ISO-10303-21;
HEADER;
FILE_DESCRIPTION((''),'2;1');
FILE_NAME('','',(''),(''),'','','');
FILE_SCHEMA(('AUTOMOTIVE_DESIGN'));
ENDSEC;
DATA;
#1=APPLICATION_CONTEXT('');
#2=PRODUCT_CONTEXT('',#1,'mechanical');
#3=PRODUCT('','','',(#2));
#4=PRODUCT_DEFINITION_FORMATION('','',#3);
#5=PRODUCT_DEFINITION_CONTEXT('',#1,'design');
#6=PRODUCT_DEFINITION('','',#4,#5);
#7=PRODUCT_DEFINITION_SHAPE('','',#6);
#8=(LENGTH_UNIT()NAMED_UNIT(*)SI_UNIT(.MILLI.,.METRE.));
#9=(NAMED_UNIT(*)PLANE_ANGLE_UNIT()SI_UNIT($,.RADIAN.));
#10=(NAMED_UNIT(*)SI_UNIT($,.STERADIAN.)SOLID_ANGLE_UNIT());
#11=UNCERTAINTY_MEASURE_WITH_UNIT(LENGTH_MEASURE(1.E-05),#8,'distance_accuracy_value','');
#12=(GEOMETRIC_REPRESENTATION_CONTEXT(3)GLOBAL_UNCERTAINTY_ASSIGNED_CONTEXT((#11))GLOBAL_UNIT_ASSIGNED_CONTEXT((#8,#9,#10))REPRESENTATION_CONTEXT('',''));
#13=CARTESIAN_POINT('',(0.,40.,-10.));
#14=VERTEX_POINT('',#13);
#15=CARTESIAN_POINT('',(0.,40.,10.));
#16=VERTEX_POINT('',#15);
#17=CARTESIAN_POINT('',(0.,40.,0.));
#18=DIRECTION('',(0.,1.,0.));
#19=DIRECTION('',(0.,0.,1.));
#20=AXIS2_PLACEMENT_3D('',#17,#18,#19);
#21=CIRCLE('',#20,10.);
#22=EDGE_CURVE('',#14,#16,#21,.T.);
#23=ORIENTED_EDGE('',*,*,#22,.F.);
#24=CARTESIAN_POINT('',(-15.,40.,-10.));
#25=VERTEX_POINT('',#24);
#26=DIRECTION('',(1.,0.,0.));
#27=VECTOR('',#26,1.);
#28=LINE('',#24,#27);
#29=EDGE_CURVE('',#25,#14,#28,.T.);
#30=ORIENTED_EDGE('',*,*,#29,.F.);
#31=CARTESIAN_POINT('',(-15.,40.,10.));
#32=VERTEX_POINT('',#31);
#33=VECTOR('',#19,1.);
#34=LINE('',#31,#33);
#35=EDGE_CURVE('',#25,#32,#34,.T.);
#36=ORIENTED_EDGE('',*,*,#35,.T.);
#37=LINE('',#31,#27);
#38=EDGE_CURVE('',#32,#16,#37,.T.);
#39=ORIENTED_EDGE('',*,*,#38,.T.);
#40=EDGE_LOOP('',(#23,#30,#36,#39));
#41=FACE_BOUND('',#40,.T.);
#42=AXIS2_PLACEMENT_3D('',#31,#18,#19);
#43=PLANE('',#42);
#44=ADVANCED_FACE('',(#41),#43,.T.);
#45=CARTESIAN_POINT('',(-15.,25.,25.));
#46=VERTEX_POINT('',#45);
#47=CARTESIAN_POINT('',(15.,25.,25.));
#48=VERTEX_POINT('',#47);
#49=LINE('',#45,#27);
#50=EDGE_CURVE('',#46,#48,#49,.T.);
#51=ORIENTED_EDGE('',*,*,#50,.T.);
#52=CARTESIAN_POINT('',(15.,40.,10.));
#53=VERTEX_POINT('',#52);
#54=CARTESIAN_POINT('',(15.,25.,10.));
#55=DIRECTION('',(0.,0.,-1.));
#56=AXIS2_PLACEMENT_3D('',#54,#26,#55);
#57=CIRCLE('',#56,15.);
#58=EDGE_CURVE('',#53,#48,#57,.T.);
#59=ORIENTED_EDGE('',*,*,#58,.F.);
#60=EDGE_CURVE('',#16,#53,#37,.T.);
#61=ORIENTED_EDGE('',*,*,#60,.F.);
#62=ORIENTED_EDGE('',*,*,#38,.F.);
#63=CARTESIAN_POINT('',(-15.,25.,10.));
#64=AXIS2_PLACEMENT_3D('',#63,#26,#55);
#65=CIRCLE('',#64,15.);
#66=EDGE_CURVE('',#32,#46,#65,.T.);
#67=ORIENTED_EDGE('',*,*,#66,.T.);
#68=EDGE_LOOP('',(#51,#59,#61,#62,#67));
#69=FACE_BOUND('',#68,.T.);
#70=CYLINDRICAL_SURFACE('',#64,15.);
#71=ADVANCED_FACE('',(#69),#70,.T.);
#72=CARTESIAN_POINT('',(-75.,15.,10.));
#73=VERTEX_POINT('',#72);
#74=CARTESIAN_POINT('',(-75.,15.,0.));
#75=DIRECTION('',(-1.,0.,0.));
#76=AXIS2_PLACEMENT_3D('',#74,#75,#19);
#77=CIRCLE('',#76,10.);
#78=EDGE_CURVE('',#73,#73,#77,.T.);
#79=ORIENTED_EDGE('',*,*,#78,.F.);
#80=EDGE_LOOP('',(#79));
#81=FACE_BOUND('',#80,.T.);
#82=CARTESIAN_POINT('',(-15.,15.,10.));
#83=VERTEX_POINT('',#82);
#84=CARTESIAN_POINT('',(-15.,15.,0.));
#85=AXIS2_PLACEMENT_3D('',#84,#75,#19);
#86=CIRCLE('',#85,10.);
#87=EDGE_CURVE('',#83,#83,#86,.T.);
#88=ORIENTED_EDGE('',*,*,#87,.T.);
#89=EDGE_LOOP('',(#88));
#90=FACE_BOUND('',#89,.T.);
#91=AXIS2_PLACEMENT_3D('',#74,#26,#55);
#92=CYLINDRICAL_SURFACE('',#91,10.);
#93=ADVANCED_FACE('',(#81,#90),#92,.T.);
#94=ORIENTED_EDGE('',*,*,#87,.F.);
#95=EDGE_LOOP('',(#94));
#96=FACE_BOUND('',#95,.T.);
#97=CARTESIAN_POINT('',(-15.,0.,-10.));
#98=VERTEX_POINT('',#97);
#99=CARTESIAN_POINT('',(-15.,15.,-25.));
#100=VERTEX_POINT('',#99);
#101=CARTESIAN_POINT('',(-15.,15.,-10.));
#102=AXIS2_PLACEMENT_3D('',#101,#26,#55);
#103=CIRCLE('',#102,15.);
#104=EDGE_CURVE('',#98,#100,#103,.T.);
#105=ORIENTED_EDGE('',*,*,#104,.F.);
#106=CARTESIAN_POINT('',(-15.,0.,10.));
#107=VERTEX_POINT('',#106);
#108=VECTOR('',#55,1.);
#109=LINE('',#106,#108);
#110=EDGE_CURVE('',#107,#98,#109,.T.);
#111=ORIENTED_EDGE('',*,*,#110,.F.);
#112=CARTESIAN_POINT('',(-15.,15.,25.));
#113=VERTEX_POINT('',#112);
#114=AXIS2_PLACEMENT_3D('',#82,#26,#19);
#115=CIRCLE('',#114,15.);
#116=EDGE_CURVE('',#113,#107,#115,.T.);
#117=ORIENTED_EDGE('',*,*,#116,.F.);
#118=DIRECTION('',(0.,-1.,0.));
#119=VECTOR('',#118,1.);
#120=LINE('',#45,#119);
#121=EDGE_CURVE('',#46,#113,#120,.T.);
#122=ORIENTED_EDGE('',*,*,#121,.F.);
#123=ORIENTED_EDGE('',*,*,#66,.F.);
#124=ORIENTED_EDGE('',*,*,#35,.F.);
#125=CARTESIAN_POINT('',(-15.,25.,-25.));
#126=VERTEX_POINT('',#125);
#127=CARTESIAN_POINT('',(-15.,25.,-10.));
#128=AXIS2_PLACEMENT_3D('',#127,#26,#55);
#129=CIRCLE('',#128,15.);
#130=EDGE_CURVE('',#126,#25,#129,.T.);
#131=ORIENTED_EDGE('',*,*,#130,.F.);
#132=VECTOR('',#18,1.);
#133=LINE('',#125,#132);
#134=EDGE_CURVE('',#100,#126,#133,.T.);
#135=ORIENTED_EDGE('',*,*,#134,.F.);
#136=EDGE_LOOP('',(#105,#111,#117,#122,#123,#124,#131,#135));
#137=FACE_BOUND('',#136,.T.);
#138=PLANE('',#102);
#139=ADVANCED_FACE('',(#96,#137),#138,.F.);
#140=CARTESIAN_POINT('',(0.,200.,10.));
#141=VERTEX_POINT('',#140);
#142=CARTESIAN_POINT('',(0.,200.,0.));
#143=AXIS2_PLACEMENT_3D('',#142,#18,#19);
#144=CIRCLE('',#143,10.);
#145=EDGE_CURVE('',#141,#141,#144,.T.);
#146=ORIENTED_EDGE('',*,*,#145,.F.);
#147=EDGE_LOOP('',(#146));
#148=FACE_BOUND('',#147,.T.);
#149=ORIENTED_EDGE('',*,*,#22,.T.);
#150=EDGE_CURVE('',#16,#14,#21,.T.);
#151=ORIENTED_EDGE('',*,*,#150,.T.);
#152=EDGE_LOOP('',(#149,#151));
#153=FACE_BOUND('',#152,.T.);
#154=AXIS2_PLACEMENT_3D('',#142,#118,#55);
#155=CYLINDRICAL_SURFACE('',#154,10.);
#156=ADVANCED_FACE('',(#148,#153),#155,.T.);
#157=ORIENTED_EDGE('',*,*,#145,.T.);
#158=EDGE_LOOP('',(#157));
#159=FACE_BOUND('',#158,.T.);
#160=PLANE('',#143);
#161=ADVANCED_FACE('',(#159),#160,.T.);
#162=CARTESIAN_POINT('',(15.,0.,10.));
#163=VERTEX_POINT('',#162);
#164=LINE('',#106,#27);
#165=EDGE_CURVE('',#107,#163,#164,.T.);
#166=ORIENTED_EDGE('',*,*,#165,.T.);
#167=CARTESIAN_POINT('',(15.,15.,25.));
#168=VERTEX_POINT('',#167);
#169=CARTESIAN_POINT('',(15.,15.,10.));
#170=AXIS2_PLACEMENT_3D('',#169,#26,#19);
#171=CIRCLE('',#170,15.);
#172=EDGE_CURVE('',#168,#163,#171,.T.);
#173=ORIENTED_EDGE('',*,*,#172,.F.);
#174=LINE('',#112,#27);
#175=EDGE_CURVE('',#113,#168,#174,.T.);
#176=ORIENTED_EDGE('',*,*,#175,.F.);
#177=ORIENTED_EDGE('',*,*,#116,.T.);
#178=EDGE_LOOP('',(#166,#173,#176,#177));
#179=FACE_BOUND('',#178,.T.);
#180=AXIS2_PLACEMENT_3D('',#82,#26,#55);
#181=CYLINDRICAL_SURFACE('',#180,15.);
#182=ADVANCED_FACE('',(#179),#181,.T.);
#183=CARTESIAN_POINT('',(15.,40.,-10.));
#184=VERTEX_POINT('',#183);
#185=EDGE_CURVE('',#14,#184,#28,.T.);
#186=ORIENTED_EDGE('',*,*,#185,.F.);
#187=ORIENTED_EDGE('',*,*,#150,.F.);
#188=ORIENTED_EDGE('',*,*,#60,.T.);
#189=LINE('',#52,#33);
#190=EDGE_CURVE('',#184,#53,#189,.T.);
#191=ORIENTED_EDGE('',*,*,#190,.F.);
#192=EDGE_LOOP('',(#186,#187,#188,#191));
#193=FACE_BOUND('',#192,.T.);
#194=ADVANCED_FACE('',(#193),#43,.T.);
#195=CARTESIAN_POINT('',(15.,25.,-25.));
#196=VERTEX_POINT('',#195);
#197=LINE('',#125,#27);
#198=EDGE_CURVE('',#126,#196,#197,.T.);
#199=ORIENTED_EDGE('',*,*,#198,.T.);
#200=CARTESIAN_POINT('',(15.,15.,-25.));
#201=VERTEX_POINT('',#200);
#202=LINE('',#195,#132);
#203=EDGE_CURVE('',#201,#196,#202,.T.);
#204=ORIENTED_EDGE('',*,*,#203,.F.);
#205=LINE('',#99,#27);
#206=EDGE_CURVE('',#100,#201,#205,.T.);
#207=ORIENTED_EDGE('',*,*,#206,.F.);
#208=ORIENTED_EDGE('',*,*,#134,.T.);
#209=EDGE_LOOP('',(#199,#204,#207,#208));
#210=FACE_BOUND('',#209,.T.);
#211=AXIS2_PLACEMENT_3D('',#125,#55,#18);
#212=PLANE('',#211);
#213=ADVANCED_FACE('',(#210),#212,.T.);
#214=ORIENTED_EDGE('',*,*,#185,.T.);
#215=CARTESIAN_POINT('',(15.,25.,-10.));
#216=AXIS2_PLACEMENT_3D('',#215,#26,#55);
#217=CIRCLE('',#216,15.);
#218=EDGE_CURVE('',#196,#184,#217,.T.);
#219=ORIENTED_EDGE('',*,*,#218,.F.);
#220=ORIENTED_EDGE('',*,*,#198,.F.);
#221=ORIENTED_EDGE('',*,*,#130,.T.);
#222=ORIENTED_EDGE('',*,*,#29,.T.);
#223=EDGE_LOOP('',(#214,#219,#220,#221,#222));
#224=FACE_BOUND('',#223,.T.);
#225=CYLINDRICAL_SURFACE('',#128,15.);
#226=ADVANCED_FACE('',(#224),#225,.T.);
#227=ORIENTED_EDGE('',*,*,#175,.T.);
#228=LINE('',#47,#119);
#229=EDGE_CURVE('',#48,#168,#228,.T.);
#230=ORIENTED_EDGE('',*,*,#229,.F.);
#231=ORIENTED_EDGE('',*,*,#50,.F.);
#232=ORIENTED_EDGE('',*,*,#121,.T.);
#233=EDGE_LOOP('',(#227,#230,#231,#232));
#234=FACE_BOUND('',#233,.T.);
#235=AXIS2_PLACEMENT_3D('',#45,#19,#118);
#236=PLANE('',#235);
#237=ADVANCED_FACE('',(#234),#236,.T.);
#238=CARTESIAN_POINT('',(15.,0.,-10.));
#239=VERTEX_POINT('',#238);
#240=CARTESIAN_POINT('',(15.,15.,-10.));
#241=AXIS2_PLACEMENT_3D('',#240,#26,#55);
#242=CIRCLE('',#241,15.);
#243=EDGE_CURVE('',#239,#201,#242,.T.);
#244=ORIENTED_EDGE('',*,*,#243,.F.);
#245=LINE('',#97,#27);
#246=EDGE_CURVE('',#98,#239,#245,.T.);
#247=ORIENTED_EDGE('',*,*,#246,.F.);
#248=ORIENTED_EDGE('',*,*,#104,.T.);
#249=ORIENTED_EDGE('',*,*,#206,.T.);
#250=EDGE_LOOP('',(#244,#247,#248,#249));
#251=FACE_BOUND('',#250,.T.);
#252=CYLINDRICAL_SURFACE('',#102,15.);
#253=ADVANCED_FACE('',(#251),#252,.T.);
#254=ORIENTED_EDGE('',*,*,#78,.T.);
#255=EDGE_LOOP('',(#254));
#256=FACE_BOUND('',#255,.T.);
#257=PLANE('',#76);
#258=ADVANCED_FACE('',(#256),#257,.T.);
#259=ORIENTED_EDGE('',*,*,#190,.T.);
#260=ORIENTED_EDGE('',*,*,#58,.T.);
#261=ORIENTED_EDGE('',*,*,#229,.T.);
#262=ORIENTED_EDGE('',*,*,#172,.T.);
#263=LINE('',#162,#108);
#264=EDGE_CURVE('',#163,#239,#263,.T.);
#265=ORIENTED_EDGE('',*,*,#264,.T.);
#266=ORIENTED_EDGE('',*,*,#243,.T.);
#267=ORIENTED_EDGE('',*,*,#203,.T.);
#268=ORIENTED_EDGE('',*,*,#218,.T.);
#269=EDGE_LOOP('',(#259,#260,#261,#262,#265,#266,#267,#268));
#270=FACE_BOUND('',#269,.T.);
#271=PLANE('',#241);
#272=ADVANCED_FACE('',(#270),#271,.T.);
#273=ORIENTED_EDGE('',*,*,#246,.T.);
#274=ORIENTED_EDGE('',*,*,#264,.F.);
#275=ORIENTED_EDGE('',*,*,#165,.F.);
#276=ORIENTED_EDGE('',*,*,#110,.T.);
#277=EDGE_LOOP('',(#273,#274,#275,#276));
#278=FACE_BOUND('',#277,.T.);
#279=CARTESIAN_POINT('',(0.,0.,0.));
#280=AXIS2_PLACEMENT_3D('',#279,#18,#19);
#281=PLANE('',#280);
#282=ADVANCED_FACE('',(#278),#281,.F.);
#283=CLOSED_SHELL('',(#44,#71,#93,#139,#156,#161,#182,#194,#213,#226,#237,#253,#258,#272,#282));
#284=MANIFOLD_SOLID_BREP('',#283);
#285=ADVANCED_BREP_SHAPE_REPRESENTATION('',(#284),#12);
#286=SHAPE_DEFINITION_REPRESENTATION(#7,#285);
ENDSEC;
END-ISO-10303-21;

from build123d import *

# Parameters (mm, degrees)
SKETCH_1_R           = 10
EXTRUDE_1_DEPTH      = 200
EXTRUDE_2_DEPTH      = 15
EXTRUDE_2_DEPTH_BACK = 15
SKETCH_4_R           = 10
EXTRUDE_3_DEPTH      = 60


with BuildPart() as part:
    # 草图1 → 凸台-拉伸1 (new body)
    with BuildSketch(Plane(origin=(0, 0, 0), x_dir=(1, 0, 0), z_dir=(0, 1, 0))):
        Circle(SKETCH_1_R)
    extrude(amount=EXTRUDE_1_DEPTH)

    # 草图2 → 凸台-拉伸2 (add, two sides: drawn at the far end of the back side and taken through both)
    with BuildSketch(Plane(origin=(0, 0, 0), x_dir=(0, 0, -1), z_dir=(1, 0, 0)).offset(-EXTRUDE_2_DEPTH_BACK)):
        with BuildLine():
            Line((-10, 40), (10, 40))
            ThreePointArc((10, 40), (20.606601718, 35.606601718), (25, 25))
            Line((25, 25), (25, 15))
            ThreePointArc((25, 15), (20.606601718, 4.393398282), (10, 0))
            Line((10, 0), (-10, 0))
            ThreePointArc((-10, 0), (-20.606601718, 4.393398282), (-25, 15))
            Line((-25, 15), (-25, 25))
            ThreePointArc((-25, 25), (-20.606601718, 35.606601718), (-10, 40))
        make_face()
    extrude(amount=EXTRUDE_2_DEPTH + EXTRUDE_2_DEPTH_BACK)

    # 草图4 → 凸台-拉伸3 (add)
    with BuildSketch(Plane.ZY.offset(15)):
        with Locations((0, 15)):
            Circle(SKETCH_4_R)
    extrude(amount=EXTRUDE_3_DEPTH)


solid = part.part
